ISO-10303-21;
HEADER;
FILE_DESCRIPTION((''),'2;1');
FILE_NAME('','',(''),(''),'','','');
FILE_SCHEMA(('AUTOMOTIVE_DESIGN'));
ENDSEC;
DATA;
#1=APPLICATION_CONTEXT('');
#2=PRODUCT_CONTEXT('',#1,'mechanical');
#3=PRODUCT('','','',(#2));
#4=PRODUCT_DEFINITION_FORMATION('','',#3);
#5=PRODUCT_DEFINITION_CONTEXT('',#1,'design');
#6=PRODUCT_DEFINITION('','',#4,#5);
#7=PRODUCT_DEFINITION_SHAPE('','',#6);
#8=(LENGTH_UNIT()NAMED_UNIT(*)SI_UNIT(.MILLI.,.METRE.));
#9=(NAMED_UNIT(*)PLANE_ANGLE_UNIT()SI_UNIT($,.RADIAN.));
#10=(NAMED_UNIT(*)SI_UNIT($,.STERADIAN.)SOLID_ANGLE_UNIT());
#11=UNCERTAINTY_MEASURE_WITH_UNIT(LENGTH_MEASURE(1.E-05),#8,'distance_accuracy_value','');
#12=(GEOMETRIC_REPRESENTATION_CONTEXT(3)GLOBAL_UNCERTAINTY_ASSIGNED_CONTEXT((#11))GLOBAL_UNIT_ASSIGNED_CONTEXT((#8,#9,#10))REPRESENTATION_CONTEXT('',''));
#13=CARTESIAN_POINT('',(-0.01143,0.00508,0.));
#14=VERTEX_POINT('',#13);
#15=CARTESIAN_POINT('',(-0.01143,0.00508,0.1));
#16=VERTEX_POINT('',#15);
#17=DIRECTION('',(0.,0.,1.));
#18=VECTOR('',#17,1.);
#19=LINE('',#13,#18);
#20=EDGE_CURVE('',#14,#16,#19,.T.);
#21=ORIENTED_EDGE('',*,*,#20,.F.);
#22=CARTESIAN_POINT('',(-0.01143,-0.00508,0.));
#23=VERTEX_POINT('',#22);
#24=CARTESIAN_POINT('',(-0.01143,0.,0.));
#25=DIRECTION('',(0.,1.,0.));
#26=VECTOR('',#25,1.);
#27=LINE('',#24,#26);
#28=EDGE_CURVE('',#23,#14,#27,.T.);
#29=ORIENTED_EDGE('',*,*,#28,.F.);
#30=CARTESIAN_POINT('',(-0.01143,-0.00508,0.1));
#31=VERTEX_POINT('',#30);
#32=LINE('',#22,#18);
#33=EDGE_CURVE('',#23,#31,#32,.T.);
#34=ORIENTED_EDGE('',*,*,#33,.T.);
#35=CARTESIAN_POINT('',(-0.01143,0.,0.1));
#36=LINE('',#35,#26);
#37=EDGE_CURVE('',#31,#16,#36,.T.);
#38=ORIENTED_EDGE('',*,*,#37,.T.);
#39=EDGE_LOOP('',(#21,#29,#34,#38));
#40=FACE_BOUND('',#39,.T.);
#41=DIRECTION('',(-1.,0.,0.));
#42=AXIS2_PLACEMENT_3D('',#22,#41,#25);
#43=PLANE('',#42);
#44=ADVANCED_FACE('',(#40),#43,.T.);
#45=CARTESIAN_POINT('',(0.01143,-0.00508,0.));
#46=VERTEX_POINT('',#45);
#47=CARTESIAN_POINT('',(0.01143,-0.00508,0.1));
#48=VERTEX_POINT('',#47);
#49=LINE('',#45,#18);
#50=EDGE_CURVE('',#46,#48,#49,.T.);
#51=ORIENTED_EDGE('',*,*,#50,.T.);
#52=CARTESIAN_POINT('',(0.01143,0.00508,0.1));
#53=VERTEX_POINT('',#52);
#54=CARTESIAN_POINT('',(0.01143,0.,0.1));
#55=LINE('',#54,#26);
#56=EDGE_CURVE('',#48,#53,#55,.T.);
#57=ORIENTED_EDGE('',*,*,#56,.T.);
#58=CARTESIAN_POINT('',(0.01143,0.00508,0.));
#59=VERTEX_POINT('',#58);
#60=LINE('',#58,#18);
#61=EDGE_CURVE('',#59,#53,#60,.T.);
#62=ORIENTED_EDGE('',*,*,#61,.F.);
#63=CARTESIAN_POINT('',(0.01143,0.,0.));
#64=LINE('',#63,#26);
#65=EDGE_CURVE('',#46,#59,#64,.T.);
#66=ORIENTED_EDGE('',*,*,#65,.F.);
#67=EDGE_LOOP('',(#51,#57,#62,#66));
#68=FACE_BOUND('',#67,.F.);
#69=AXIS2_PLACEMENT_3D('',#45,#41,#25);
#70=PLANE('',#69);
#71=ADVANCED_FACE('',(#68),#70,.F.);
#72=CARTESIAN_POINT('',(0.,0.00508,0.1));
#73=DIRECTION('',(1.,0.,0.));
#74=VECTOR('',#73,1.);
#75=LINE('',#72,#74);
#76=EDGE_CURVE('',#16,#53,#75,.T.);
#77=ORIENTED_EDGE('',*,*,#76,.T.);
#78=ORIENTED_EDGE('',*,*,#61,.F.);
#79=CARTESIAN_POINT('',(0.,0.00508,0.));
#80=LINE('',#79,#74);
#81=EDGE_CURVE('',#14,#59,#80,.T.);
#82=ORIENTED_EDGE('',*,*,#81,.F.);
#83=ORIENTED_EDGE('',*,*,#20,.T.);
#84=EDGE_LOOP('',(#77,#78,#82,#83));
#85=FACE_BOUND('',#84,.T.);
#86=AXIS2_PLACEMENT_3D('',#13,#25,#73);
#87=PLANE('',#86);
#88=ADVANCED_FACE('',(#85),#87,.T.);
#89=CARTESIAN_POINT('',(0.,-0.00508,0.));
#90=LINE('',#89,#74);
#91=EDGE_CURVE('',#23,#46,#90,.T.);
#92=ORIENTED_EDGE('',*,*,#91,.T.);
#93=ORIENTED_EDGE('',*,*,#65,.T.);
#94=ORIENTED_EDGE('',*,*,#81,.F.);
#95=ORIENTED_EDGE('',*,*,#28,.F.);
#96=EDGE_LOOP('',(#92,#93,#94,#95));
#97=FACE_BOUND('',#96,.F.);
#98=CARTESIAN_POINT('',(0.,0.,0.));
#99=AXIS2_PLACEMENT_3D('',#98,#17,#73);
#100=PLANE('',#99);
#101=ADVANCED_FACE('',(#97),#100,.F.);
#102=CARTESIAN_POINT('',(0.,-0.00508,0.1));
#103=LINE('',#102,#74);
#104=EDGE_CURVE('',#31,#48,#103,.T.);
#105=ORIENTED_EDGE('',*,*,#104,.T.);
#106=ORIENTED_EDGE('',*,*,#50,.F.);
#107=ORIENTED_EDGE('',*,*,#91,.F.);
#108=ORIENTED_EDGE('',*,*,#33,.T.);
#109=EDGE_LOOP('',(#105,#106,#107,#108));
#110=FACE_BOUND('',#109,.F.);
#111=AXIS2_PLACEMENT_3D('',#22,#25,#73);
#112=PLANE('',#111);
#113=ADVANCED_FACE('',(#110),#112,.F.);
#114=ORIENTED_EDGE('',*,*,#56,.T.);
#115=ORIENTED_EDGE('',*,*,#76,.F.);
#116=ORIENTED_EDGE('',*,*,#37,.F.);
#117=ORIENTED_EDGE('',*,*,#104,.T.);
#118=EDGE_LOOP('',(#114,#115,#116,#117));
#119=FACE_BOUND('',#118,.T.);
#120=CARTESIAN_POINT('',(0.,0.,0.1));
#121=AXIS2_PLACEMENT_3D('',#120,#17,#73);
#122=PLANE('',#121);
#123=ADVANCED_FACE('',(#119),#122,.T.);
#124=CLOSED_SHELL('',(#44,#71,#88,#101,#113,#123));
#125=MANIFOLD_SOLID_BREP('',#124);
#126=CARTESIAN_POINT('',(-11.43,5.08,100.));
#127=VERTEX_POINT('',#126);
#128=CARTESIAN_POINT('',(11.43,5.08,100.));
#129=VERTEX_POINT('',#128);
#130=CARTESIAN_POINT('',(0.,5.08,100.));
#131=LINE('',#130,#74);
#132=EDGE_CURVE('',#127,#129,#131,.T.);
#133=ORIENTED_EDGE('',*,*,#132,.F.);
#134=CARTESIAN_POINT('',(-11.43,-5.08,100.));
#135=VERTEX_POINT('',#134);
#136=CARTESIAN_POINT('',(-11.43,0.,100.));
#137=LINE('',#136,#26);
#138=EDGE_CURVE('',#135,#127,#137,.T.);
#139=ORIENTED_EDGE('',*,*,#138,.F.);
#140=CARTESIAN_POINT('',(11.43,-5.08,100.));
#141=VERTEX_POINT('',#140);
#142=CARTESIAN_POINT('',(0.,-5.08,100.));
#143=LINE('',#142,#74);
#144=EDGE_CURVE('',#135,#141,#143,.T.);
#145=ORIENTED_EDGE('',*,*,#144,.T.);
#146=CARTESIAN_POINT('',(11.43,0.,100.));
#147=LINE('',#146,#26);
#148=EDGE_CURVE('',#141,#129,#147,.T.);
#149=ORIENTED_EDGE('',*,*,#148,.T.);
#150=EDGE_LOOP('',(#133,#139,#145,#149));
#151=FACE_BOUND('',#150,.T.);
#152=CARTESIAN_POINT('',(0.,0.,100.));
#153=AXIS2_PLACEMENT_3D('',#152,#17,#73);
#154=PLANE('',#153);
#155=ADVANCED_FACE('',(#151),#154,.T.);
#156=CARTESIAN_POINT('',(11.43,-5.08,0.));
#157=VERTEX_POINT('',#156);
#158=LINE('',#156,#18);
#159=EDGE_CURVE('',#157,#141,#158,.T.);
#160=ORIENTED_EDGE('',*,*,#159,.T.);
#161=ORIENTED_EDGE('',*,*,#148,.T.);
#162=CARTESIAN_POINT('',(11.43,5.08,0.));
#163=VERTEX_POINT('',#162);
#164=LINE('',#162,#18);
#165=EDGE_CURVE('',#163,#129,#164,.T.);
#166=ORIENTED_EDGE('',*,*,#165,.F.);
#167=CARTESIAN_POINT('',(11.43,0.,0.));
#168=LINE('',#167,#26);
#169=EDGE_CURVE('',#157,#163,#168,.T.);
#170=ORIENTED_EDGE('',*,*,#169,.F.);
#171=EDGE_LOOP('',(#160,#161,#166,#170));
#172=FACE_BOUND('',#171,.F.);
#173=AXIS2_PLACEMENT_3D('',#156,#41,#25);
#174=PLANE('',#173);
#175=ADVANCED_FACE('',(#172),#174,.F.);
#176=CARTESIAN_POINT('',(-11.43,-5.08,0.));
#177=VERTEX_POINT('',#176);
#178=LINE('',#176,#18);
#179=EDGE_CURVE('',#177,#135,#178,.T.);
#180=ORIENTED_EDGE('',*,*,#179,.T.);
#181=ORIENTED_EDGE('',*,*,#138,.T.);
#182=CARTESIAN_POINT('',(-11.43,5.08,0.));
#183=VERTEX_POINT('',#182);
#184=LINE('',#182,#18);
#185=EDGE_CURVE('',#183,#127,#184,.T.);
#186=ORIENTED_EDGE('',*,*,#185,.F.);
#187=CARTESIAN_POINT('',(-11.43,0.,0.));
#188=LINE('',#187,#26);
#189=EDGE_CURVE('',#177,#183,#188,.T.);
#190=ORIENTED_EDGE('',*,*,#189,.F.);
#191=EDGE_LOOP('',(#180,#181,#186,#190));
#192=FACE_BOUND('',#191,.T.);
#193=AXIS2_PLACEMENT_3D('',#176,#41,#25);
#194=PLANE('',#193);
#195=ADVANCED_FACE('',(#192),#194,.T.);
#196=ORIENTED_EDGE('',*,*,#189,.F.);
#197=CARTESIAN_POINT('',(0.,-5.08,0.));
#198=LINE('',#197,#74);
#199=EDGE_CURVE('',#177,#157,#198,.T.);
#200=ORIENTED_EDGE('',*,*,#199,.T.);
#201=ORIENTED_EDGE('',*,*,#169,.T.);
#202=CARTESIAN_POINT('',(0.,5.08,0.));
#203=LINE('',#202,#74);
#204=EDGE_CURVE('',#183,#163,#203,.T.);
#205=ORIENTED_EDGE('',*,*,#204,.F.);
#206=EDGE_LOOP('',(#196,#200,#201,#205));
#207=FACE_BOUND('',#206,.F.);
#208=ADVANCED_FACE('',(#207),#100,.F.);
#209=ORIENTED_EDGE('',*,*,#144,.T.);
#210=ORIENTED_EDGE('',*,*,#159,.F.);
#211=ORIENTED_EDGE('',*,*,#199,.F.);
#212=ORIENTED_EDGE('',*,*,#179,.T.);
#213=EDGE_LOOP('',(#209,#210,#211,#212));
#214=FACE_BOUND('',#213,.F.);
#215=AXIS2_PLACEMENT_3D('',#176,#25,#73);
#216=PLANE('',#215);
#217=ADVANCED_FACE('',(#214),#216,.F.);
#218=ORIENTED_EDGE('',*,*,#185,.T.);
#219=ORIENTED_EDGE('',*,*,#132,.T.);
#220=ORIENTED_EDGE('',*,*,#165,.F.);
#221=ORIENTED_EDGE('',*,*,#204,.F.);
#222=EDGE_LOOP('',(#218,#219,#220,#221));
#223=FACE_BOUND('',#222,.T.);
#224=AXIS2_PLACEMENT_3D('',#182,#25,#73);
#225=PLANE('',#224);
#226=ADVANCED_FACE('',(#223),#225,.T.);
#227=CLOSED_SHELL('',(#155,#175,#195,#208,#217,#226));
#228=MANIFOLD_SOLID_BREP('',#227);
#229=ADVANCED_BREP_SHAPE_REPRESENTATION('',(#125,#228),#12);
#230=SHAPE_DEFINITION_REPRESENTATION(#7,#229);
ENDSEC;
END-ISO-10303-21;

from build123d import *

# Parameters (mm, degrees)
RECTANGLE_W           = 22.86
RECTANGLE_H           = 10.16
EXTRUDE_DEPTH         = 100
CLONE_SCALE_SCALE     = 0.001
CLONE_PLACEMENT_ANGLE = 180


with BuildPart() as extrude_body:
    # Rectangle → Extrude (new body)
    with BuildSketch(Plane(origin=(-11.43, -5.08, 0), x_dir=(1, 0, 0), z_dir=(0, 0, 1))):
        with Locations((11.43, 5.08)):
            Rectangle(RECTANGLE_W, RECTANGLE_H)
    extrude(amount=EXTRUDE_DEPTH)


with BuildPart() as extrude001:
    # Clone base: copy of Extrude body
    add(extrude_body.part)


with BuildPart() as extrude001_1:
    # Clone scale: moved
    add(extrude001.part.scale(CLONE_SCALE_SCALE))


with BuildPart() as extrude001_2:
    # Clone placement: moved
    add(extrude001_1.part.rotate(Axis((0, 0, 0), (1, 0, 0)), CLONE_PLACEMENT_ANGLE))


solid = Compound([extrude_body.part, extrude001_2.part])
